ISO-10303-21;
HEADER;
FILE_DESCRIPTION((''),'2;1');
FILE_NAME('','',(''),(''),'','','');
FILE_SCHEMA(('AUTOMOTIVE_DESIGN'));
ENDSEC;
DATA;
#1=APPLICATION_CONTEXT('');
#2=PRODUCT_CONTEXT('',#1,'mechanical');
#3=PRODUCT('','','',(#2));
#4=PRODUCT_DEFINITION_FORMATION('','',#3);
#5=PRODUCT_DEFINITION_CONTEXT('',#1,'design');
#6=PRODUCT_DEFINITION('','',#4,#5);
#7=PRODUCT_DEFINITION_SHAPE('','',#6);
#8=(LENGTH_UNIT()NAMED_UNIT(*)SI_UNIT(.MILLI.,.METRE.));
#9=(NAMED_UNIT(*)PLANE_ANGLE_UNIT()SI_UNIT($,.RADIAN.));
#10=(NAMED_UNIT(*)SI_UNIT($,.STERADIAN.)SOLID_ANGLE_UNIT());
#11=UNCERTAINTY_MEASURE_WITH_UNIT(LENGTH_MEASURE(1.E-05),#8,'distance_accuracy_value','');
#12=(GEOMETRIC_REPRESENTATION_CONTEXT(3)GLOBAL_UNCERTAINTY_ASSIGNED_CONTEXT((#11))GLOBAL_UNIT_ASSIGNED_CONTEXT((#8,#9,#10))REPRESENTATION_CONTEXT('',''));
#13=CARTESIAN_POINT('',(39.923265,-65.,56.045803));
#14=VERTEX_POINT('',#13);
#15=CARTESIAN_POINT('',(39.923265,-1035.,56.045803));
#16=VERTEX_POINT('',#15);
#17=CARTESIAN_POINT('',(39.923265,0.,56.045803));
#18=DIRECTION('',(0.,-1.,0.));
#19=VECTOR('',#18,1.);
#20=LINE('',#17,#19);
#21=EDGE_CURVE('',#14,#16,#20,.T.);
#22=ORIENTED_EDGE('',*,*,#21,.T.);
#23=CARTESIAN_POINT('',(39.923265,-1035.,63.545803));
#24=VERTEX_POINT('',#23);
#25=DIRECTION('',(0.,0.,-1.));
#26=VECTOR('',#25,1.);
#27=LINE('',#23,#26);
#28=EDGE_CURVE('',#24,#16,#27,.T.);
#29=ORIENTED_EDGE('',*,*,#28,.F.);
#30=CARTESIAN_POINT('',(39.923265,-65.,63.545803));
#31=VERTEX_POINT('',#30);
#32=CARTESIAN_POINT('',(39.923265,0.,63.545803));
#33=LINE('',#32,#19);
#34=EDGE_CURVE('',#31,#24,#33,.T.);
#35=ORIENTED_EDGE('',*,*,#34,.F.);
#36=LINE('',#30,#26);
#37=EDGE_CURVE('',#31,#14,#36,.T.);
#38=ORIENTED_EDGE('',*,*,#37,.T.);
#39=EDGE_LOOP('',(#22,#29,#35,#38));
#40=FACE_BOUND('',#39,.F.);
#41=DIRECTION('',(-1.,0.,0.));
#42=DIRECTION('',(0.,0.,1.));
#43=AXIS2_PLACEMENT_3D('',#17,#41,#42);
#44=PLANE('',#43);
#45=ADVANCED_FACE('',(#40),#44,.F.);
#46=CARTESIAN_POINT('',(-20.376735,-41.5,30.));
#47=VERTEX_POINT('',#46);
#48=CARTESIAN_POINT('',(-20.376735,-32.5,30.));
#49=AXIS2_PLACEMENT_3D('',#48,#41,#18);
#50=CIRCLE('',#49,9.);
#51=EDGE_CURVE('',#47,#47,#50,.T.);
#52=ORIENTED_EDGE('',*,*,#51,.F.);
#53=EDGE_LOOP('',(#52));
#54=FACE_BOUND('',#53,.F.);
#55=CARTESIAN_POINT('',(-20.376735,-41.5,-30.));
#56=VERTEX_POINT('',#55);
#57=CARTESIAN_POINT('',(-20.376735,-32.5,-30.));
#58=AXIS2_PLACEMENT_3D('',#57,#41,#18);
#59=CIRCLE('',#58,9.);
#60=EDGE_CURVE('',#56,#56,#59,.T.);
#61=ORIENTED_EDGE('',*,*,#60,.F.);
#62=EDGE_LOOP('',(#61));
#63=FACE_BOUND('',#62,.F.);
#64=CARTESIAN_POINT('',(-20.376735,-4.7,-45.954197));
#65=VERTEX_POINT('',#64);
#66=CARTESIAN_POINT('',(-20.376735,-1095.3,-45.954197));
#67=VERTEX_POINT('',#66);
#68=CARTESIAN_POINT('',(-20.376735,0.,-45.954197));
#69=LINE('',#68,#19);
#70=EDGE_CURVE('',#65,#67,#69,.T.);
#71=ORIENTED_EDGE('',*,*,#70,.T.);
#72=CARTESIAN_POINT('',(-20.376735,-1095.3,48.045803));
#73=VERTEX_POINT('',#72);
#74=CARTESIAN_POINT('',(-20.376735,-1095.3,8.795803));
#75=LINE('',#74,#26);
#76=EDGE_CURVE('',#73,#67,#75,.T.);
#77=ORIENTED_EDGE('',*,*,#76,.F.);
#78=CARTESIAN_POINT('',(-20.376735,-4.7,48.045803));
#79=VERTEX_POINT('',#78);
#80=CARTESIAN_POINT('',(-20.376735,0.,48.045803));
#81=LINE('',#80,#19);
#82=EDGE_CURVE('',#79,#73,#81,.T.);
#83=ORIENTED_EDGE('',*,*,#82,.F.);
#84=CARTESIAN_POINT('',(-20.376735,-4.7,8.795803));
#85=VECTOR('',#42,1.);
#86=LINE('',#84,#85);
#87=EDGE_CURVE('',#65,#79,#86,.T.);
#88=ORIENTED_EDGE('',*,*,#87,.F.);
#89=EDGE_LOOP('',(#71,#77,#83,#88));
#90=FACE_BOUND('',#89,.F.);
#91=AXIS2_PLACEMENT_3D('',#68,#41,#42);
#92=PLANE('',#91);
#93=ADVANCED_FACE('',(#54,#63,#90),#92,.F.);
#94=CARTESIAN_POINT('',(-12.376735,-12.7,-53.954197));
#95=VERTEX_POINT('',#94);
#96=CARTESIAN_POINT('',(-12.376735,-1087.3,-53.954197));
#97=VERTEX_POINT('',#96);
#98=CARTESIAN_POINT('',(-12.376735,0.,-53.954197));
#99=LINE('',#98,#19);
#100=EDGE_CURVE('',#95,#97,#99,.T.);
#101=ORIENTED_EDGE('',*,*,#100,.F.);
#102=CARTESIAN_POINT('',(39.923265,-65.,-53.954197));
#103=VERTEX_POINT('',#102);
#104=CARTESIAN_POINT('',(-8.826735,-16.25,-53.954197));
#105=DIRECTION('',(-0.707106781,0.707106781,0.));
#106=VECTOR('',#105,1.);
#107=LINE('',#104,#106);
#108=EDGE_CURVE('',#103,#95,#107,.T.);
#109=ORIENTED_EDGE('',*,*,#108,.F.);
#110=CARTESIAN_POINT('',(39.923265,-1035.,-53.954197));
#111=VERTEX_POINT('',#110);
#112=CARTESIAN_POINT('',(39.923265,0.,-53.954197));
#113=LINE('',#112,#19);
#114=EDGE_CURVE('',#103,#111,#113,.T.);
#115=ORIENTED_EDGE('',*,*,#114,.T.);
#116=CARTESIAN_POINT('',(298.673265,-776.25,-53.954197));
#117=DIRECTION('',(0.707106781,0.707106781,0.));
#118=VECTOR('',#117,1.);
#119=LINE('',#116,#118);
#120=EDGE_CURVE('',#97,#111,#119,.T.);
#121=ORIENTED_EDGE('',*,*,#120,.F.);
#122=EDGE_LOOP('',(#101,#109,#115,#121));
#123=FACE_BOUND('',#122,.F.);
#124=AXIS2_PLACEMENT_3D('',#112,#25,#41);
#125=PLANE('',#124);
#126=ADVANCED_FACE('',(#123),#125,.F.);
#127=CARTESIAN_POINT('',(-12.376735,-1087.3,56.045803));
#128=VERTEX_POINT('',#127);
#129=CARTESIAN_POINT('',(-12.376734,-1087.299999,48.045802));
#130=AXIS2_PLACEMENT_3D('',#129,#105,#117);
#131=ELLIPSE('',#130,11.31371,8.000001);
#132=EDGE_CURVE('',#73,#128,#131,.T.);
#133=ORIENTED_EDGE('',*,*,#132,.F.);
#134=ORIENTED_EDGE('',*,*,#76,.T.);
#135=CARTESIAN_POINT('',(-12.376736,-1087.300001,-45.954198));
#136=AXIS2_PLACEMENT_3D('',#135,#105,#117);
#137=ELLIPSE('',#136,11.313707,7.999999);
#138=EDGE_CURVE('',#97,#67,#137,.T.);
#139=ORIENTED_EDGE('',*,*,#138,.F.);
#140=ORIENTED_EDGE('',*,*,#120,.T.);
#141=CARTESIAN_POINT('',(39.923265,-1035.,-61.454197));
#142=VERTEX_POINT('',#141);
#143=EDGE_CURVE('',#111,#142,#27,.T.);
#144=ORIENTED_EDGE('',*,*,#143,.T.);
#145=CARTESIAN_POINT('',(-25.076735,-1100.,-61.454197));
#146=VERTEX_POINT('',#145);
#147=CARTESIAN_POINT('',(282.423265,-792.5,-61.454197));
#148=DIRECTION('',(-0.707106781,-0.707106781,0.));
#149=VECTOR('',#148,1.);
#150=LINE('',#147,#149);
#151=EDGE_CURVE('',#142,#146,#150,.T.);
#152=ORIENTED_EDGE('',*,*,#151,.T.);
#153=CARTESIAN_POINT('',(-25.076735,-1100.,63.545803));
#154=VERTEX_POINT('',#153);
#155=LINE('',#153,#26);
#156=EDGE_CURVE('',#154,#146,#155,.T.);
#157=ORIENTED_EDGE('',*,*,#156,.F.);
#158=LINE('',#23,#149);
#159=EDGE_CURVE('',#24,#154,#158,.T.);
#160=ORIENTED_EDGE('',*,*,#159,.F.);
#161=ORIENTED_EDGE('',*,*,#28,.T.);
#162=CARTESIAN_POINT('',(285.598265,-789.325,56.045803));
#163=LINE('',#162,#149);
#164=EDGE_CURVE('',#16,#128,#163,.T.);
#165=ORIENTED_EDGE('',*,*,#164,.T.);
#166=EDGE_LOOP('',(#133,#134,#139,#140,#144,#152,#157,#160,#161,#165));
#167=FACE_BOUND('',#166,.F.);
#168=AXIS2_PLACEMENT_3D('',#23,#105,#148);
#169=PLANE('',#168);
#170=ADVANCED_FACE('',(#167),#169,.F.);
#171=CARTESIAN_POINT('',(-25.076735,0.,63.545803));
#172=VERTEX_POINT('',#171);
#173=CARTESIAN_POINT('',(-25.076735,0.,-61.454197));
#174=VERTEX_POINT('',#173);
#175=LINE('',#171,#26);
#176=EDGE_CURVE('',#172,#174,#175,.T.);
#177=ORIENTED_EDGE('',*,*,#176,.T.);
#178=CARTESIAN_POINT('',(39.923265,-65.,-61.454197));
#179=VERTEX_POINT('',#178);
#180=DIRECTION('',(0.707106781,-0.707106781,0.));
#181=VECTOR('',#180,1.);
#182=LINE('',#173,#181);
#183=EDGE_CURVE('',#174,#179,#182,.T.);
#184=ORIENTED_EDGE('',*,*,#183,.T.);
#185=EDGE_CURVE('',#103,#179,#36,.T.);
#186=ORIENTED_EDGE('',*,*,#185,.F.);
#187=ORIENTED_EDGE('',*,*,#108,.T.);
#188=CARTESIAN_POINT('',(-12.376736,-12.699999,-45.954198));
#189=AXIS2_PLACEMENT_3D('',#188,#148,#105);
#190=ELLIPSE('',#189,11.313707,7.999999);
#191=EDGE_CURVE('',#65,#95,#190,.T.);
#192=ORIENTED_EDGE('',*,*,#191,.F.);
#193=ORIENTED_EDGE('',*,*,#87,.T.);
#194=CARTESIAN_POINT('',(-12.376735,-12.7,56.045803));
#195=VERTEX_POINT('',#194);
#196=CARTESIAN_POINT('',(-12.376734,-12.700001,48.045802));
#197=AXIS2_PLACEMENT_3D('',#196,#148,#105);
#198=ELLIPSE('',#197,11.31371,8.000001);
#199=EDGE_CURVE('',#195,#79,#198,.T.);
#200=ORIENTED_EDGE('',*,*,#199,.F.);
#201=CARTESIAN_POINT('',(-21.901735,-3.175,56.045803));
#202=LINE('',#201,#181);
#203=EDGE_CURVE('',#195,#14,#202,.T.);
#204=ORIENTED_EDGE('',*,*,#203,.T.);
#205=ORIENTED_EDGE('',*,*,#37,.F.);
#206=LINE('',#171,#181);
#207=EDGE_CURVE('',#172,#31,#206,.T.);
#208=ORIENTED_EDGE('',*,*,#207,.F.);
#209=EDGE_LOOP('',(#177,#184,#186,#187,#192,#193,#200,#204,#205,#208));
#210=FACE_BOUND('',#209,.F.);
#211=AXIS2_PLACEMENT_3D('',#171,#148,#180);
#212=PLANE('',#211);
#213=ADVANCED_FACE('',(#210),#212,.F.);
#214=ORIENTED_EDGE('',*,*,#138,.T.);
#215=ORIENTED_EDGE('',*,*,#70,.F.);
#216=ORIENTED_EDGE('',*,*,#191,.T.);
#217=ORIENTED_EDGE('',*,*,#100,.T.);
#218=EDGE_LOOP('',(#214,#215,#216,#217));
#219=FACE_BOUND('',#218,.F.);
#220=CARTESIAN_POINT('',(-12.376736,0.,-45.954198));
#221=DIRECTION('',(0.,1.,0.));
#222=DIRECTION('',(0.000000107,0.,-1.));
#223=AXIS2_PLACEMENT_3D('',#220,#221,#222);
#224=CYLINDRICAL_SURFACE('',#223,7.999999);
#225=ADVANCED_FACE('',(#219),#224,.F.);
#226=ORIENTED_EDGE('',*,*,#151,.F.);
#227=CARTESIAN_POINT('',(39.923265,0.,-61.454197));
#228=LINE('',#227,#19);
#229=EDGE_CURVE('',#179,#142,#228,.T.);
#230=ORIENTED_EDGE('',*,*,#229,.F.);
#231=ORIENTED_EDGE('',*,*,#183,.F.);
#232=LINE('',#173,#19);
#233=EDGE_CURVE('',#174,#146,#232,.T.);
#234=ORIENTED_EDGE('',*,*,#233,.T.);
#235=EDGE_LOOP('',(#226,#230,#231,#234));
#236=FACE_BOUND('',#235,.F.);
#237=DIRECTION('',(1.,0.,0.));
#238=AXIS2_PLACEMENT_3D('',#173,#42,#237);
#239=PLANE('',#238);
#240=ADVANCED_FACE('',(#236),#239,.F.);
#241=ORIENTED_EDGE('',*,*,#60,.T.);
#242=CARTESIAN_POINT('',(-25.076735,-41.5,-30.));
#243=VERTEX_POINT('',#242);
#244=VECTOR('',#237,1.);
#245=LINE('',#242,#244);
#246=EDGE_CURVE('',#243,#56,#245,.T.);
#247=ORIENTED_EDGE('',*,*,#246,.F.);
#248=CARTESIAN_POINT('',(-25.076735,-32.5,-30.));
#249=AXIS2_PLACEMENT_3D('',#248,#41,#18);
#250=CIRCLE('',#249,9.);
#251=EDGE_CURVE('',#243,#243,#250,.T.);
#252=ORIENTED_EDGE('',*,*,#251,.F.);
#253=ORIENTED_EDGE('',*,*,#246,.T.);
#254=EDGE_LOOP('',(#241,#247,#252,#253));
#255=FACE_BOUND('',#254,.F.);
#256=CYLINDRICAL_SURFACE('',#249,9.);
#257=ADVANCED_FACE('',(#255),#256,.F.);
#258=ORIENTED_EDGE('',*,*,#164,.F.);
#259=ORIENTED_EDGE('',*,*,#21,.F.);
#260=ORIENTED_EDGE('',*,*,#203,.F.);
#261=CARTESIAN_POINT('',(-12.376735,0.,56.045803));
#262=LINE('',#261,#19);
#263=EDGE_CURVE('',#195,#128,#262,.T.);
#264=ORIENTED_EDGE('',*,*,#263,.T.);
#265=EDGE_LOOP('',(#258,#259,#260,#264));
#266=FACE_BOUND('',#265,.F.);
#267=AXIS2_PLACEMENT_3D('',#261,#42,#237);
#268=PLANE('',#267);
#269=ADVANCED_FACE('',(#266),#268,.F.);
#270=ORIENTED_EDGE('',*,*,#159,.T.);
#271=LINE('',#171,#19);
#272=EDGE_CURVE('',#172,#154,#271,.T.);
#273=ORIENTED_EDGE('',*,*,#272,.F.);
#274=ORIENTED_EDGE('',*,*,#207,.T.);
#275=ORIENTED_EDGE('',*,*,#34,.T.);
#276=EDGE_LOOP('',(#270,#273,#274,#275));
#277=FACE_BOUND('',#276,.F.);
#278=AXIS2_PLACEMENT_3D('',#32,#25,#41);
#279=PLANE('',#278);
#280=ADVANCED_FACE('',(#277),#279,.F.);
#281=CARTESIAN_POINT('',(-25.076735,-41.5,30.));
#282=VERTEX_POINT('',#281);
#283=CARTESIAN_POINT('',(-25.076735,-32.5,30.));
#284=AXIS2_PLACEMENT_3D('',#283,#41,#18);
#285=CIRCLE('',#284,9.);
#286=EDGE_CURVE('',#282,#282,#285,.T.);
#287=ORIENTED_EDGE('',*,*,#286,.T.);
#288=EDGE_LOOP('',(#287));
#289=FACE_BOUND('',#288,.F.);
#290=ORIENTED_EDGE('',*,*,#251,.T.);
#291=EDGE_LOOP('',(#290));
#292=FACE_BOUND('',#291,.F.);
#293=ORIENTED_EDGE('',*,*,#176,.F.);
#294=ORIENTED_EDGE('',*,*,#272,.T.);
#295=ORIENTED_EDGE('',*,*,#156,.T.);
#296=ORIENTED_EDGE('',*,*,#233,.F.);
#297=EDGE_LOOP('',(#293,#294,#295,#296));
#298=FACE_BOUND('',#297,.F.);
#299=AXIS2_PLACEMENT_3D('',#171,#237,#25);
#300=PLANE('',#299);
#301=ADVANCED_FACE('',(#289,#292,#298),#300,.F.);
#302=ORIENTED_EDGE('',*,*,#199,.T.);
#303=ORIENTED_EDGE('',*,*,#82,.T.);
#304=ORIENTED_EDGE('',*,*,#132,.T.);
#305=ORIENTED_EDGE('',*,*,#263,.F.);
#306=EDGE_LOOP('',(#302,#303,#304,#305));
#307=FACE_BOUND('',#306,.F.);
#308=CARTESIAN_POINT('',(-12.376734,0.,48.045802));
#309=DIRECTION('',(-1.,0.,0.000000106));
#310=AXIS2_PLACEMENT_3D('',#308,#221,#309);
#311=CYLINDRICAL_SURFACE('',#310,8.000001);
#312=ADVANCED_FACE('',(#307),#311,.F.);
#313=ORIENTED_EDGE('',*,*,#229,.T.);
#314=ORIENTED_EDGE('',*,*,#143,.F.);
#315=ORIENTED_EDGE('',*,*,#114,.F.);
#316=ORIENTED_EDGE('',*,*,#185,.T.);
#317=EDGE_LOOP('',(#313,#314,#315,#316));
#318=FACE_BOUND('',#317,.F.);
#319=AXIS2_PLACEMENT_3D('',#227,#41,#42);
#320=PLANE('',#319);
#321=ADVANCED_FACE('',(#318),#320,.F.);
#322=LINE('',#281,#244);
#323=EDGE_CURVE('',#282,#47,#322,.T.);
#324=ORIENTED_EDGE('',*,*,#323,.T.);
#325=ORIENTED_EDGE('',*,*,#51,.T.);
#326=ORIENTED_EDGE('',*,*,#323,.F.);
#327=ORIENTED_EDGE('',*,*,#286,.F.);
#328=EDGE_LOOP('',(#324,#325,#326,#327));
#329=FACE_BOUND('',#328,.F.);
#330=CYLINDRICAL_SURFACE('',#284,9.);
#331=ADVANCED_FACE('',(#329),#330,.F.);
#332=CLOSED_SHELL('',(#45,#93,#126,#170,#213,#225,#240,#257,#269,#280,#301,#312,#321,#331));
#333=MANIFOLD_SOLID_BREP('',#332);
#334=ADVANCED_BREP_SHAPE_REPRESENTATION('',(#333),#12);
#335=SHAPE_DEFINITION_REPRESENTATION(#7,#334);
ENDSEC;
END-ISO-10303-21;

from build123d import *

# Parameters (mm, degrees)
F1_DEPTH = 1100
F3_DEPTH = 125.001
F4_R     = 9
F5_DEPTH = 65.001


with BuildPart() as f1:
    # F0 (on Front) → F1 (new body)
    with BuildSketch(Plane.XZ):
        with BuildLine():
            Line((-25.076735, 63.545803), (-25.076735, -61.454197))
            Line((-25.076735, -61.454197), (39.923265, -61.454197))
            Line((39.923265, -61.454197), (39.923265, -53.954197))
            Line((39.923265, -53.954197), (-12.376735, -53.954197))
            ThreePointArc((-12.376735, -53.954197), (-18.033589, -51.611052), (-20.376735, -45.954197))
            Line((-20.376735, -45.954197), (-20.376735, 48.045803))
            ThreePointArc((-20.376735, 48.045803), (-18.033589, 53.702657), (-12.376735, 56.045803))
            Line((-12.376735, 56.045803), (39.923265, 56.045803))
            Line((39.923265, 56.045803), (39.923265, 63.545803))
            Line((39.923265, 63.545803), (-25.076735, 63.545803))
        make_face()
    extrude(amount=F1_DEPTH)

    # F2 (on face) → F3 (cut, through all)
    with BuildSketch(Plane.XY.offset(63.545803)):
        Polygon((-25.076735, 0), (39.923265, -65), (39.923265, 0), align=None)
        Polygon((-25.076735, -1100), (39.923265, -1100), (39.923265, -1035), align=None)
    extrude(amount=-F3_DEPTH, mode=Mode.SUBTRACT)

    # F4 (on face) → F5 (cut, through all)
    with BuildSketch(Plane(origin=(-25.076735, 0, 0), x_dir=(0, -1, 0), z_dir=(-1, 0, 0))):
        with Locations((32.5, 30)):
            Circle(F4_R)
        with Locations((32.5, -30)):
            Circle(F4_R)
    extrude(amount=-F5_DEPTH, mode=Mode.SUBTRACT)


solid = f1.part
